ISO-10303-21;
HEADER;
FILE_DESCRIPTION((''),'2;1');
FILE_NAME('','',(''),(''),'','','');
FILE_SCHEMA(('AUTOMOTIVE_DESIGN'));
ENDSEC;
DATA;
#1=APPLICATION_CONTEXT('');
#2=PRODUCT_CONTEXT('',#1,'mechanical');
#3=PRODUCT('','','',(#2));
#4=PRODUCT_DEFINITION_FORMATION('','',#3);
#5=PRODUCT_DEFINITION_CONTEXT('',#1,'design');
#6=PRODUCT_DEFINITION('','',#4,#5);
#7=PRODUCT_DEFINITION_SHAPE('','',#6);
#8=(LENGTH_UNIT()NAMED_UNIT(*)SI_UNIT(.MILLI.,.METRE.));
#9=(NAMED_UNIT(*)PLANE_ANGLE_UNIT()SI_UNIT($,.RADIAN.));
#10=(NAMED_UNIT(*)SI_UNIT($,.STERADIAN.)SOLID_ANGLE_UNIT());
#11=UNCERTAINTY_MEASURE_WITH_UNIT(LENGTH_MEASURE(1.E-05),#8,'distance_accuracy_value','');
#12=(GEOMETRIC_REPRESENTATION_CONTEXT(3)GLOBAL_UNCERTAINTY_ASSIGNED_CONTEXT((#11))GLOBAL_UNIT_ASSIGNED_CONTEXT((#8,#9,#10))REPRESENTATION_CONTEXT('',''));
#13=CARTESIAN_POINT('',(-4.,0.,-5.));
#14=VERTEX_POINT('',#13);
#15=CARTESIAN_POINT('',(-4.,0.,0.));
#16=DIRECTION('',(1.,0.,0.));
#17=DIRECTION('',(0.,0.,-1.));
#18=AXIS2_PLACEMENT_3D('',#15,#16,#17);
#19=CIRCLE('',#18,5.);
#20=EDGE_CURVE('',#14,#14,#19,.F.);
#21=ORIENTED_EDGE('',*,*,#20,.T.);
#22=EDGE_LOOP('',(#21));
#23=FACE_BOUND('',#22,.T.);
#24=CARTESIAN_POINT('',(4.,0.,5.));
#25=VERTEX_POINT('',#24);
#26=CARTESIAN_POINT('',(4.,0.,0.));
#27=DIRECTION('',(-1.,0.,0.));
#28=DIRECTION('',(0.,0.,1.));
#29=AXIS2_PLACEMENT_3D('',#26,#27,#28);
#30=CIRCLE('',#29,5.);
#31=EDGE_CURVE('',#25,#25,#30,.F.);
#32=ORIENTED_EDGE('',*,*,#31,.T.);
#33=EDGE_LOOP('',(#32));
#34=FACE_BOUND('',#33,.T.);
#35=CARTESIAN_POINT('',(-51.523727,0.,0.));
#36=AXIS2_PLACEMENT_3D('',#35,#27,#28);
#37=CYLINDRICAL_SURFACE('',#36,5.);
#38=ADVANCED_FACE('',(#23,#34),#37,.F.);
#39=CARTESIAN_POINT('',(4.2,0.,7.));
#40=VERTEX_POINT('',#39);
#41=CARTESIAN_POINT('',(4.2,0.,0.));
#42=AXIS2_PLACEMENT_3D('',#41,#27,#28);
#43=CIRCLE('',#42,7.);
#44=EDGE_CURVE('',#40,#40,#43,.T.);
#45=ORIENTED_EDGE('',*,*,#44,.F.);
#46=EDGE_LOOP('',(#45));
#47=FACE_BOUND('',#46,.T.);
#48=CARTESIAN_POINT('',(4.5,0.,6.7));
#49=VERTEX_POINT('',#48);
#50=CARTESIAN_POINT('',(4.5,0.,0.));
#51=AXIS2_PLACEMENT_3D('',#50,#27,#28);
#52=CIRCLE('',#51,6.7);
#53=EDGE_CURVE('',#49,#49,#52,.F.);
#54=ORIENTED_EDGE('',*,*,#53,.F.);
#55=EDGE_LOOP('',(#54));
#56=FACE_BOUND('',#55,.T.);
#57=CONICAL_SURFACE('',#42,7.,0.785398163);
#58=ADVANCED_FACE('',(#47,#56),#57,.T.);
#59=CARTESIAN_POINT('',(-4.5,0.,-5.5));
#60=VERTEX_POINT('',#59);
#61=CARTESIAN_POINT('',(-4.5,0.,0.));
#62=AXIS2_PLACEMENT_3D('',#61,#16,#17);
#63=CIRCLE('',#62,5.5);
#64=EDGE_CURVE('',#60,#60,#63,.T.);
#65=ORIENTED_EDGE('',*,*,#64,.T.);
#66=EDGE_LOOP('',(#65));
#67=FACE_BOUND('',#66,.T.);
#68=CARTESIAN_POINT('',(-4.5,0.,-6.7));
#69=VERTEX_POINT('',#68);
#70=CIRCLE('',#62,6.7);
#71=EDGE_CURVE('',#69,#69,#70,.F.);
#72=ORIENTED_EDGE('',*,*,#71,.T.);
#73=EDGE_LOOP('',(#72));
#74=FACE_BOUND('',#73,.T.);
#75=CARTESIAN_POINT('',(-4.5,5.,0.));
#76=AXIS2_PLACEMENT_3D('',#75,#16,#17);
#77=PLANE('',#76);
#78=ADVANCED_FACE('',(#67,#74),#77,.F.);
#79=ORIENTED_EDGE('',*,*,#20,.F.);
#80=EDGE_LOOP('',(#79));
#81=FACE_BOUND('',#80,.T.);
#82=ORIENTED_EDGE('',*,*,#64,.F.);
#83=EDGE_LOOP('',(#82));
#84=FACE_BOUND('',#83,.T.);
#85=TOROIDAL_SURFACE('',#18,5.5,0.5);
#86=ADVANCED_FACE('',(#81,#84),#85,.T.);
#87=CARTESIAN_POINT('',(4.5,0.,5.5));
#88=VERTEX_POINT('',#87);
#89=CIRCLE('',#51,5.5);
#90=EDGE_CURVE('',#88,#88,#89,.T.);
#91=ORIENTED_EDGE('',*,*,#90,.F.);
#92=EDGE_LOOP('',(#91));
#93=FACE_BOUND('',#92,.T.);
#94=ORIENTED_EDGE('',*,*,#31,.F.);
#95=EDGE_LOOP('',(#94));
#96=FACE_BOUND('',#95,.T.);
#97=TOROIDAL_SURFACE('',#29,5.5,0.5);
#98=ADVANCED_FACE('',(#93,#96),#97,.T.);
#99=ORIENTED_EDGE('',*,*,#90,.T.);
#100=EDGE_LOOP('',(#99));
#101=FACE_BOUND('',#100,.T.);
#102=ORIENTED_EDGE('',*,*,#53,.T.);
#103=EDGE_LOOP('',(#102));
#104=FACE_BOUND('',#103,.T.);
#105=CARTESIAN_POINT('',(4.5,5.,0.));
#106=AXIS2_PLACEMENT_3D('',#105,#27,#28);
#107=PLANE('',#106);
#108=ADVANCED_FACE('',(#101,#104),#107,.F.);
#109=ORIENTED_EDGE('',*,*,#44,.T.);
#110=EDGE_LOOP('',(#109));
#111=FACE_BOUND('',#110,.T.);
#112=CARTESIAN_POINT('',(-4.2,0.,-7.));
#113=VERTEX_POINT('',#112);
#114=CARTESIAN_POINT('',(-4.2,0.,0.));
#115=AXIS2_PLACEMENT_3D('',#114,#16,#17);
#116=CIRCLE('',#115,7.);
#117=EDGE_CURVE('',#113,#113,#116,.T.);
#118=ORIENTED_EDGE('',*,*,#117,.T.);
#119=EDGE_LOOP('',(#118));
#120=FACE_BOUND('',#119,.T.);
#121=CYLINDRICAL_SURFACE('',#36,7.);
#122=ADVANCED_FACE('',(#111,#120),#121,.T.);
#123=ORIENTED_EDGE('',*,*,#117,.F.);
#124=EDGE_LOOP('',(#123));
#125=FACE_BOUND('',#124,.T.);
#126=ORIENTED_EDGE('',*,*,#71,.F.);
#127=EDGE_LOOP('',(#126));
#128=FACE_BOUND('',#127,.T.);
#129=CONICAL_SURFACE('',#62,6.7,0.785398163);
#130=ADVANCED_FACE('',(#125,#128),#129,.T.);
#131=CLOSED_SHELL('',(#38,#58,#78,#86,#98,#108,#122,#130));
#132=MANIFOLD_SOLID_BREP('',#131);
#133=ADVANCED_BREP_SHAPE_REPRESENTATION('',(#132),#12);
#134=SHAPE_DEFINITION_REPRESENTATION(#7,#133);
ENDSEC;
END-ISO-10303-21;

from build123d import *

# Parameters (mm, degrees)
SKETCH_1_W     = 9
SKETCH_1_H     = 2
CHAMFER_1_SIZE = 0.3
FILLET_1_R     = 0.5


with BuildPart() as part:
    # 草圖1 → 旋轉1 (revolve)
    with BuildSketch(Plane.XY):
        with Locations((0, 6)):
            Rectangle(SKETCH_1_W, SKETCH_1_H)
    revolve(axis=Axis((-51.523727229, 0, 0), (1, 0, 0)))

    # 導角1
    chamfer_1_edges = [part.edges().sort_by_distance(p)[0] for p in [
        (4.5, -7, 0),
        (-4.5, -7, 0),
    ]]
    chamfer(chamfer_1_edges, length=CHAMFER_1_SIZE)

    # 圓角1
    fillet_1_edges = [part.edges().sort_by_distance(p)[0] for p in [
        (-4.5, -5, 0),
        (4.5, -5, 0),
    ]]
    fillet(fillet_1_edges, radius=FILLET_1_R)


solid = part.part
